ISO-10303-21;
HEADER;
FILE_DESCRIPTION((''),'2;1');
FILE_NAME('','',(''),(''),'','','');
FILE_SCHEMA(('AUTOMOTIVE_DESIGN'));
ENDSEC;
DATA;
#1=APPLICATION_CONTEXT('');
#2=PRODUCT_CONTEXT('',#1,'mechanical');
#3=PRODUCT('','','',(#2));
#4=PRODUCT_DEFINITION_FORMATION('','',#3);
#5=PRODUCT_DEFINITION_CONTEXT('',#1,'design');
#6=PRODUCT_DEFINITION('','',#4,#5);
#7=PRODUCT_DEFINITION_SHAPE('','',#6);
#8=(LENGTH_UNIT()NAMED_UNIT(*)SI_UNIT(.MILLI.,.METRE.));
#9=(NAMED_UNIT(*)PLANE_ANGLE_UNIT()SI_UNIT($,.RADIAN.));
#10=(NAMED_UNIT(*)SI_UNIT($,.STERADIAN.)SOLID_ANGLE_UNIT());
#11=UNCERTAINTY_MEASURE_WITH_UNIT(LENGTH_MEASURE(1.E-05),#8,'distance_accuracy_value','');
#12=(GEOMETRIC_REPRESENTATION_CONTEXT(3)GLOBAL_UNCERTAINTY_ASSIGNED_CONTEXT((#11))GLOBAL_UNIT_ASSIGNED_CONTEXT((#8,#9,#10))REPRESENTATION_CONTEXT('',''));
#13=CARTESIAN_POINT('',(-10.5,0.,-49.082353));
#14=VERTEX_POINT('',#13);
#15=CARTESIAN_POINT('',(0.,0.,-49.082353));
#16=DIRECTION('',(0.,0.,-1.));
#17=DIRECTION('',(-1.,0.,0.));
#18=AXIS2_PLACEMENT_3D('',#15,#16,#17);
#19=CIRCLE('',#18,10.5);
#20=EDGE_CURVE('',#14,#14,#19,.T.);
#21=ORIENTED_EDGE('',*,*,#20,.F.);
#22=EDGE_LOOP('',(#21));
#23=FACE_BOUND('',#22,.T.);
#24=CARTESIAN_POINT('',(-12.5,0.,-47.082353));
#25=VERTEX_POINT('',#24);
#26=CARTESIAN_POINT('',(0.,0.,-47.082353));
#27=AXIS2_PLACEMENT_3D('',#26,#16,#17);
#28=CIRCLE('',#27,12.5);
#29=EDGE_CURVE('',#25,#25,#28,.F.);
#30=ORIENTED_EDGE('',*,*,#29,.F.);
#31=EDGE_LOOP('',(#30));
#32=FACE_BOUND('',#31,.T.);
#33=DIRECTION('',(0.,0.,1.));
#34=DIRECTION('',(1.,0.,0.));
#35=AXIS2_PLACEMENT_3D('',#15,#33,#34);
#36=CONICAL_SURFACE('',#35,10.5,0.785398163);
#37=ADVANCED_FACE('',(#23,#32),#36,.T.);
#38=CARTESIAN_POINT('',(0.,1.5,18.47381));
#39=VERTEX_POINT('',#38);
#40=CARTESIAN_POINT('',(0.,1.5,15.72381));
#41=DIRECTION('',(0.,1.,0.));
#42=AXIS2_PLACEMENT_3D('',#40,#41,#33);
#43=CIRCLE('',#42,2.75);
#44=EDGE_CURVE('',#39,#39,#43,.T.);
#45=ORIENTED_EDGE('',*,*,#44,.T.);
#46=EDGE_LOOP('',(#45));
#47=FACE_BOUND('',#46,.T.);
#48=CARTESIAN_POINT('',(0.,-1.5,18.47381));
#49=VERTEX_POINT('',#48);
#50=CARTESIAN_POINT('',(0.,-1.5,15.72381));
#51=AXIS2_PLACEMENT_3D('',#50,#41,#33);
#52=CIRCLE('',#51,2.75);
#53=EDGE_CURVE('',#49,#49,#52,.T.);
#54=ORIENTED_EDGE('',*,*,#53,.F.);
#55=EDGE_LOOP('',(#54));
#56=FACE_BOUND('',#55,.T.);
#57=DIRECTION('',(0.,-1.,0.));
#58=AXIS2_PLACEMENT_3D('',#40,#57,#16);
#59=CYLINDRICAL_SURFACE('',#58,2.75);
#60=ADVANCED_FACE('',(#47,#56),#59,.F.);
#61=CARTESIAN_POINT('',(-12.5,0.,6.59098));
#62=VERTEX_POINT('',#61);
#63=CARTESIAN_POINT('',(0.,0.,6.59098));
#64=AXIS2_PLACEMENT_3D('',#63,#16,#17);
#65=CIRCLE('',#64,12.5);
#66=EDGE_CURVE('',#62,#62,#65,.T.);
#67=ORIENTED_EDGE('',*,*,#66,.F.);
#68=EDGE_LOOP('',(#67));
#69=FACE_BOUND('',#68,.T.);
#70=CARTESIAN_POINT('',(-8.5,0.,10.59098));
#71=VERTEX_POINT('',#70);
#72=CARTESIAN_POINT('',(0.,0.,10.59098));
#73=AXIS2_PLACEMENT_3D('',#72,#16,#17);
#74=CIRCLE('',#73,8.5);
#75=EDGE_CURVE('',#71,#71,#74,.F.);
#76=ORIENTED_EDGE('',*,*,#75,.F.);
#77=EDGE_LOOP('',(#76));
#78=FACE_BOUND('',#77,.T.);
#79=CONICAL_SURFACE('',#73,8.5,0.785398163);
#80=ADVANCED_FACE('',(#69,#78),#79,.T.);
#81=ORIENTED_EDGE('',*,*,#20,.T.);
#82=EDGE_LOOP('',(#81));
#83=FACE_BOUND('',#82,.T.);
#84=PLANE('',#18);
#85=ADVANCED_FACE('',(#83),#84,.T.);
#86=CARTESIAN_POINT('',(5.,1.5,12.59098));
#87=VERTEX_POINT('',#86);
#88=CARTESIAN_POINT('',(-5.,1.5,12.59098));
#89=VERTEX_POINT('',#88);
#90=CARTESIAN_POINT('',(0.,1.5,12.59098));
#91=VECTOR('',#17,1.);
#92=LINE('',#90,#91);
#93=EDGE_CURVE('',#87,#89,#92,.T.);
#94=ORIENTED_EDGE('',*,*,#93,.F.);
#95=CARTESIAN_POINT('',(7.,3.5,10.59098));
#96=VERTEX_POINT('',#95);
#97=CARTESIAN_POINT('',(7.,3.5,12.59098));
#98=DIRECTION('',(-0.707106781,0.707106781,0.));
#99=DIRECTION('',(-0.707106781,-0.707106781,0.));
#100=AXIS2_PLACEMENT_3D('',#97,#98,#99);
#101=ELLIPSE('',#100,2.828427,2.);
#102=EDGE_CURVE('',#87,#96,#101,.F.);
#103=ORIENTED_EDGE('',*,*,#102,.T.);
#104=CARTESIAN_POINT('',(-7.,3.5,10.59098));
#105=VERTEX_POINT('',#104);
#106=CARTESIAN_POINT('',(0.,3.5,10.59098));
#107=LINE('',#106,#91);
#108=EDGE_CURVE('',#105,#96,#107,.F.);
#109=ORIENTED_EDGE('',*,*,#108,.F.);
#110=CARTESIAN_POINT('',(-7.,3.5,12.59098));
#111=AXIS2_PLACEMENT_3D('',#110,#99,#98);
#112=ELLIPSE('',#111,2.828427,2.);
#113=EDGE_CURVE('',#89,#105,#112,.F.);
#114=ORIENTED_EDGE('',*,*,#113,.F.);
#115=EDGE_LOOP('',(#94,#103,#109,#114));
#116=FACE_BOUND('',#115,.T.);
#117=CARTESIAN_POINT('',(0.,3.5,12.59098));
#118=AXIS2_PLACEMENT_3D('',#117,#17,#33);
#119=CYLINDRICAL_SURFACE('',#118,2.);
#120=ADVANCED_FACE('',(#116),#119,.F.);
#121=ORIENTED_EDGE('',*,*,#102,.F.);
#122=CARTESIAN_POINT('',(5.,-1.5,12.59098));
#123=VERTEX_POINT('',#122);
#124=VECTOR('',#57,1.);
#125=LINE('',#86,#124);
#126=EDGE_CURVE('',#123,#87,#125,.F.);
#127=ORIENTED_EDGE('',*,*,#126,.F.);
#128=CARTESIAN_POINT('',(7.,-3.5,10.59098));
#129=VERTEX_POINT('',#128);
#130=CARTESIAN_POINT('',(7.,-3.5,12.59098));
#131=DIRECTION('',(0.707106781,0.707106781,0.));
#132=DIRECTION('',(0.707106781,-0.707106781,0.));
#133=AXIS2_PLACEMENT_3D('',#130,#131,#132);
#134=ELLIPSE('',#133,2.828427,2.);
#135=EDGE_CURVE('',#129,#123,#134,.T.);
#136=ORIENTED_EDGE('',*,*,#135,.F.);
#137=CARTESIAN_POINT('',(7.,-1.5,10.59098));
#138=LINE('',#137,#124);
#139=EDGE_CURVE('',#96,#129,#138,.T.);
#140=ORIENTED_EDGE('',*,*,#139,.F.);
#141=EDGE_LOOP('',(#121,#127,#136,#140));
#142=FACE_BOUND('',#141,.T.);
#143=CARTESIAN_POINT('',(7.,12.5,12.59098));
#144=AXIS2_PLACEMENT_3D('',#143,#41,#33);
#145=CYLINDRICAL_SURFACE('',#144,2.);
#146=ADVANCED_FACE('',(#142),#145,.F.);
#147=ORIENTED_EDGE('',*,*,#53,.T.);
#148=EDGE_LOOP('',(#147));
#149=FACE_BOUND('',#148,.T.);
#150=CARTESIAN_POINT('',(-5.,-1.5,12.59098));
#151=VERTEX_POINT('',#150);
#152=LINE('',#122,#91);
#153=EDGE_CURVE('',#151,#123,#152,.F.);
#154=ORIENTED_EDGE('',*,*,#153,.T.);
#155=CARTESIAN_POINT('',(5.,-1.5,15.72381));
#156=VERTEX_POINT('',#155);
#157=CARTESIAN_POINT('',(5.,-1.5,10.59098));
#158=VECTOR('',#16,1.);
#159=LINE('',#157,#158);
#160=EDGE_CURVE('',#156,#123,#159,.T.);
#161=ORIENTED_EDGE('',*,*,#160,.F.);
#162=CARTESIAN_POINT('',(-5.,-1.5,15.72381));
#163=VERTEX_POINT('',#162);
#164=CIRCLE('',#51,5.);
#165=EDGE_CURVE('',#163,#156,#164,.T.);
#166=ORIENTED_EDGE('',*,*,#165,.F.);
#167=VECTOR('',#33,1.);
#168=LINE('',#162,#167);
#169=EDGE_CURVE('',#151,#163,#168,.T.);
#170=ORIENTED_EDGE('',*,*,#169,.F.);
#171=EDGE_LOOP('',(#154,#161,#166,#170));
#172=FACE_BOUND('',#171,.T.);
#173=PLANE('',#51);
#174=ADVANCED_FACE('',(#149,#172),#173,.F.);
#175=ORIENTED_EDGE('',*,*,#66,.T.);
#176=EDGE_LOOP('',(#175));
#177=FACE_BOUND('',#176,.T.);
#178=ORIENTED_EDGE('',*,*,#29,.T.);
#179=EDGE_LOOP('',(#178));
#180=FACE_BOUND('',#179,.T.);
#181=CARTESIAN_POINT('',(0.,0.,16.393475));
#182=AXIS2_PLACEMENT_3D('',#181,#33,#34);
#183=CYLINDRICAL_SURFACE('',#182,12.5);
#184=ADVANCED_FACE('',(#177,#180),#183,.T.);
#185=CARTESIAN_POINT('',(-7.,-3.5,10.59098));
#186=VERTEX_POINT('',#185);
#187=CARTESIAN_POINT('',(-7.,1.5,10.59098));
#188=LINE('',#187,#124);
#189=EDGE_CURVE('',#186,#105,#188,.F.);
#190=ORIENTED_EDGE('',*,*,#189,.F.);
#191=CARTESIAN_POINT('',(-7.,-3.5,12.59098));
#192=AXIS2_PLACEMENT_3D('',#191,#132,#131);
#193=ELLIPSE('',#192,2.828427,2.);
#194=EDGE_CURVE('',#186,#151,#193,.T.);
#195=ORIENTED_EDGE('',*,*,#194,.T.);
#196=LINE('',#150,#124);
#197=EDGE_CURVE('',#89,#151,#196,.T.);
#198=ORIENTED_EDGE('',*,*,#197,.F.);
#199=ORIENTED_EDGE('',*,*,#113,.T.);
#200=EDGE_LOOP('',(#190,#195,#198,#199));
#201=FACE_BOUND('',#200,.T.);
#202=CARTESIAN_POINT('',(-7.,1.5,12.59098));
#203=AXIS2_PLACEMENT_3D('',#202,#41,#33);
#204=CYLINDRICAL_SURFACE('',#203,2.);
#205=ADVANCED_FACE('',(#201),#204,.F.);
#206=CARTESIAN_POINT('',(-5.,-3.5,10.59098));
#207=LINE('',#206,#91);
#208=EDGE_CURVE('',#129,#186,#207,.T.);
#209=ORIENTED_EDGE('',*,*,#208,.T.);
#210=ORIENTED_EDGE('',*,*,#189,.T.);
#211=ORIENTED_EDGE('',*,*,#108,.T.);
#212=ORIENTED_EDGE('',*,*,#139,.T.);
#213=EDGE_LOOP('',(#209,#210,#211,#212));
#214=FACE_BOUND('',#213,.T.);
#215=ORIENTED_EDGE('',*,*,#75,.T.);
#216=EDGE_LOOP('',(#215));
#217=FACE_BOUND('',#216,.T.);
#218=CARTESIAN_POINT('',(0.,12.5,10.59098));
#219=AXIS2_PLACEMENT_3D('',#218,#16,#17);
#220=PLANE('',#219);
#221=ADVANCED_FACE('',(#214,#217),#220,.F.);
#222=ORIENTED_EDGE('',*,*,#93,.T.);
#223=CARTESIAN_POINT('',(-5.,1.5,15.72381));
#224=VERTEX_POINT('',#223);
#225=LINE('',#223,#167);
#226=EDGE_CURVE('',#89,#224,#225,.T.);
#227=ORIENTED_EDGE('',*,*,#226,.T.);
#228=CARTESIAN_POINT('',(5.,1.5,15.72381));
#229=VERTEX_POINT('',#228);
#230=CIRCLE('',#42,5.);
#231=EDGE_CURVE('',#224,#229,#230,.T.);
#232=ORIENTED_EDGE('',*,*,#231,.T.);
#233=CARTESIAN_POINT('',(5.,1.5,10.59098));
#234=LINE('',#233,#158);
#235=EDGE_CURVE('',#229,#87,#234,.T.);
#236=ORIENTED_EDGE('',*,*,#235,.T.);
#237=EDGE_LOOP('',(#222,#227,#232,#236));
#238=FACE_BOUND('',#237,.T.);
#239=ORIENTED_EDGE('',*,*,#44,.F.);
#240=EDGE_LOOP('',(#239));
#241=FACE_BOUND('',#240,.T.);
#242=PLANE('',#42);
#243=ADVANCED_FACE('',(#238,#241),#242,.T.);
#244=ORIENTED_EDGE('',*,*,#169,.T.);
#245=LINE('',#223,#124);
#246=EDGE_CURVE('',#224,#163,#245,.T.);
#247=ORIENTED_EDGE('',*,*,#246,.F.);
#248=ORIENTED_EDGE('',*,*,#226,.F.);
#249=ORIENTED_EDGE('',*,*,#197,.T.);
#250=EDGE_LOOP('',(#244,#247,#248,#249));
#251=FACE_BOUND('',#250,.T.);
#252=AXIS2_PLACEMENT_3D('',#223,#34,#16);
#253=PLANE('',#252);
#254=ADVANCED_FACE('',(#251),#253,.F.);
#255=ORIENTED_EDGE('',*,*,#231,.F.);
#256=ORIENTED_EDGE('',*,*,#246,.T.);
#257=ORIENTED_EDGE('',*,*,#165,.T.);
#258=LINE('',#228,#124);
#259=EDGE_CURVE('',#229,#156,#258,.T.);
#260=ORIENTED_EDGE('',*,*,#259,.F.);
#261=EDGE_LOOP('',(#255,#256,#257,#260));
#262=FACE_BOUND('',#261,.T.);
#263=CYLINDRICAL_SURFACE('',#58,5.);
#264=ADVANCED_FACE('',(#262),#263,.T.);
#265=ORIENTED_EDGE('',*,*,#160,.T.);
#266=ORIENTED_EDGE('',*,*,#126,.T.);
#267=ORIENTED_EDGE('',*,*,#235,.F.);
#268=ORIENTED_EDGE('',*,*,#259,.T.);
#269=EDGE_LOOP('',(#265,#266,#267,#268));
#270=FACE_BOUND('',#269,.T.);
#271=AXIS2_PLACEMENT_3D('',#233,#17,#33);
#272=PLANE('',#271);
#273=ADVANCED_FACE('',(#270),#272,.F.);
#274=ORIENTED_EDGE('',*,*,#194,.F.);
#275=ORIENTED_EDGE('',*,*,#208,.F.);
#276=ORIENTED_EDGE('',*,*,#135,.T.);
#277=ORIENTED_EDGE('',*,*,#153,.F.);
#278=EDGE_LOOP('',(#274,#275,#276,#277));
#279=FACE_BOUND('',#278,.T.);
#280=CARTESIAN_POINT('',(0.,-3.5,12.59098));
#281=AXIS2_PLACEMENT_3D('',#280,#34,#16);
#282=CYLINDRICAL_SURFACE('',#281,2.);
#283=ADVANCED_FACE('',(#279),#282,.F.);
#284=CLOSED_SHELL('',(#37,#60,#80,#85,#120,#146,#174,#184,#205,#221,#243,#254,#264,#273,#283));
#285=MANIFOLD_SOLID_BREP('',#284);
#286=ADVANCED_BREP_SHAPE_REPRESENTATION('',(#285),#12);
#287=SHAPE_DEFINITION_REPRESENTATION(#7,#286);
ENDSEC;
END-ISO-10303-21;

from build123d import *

# Parameters (mm, degrees)
SKETCH4_R           = 2.75
BOSS_EXTRUDE1_DEPTH = 1.5
BOSS_EXTRUDE2_START = 45
SKETCH5_R           = 12.5
BOSS_EXTRUDE2_DEPTH = 45
CHAMFER1_SIZE       = 4
FILLET1_R           = 2
CHAMFER2_SIZE       = 2


with BuildPart() as part:
    # Sketch3 → Revolve2 (revolve)
    with BuildSketch(Plane(origin=(0, 0, 0), x_dir=(0, 0, -1), z_dir=(1, 0, 0)), mode=Mode.PRIVATE) as revolve2_sk:
        Polygon((-4.082352568, 12.5), (4.082352568, 12.5), (4.082352568, 0), (-10.590979782, 0), (-10.590979782, 12.5), align=None)
    revolve(revolve2_sk.sketch.rotate(Axis((0, 0, 16.393474527), (0, 0, -1)), 90), axis=Axis((0, 0, 16.393474527), (0, 0, -1)))

    # Sketch4 → Boss-Extrude1 (add, symmetric)
    with BuildSketch(Plane(origin=(0, 0, 0), x_dir=(1, 0, 0), z_dir=(0, 1, 0))):
        with BuildLine():
            Line((-5, -15.723809824), (-5, -10.590979782))
            Line((-5, -10.590979782), (5, -10.590979782))
            Line((5, -10.590979782), (5, -15.723809824))
            ThreePointArc((5, -15.723809824), (0, -20.723809824), (-5, -15.723809824))
        make_face()
        with Locations(Location((0, -15.723809824, 0), (0, 0, 270))):
            Circle(SKETCH4_R, mode=Mode.SUBTRACT)
    extrude(amount=BOSS_EXTRUDE1_DEPTH, both=True)

    # Sketch5 → Boss-Extrude2 (add)
    with BuildSketch(Plane(origin=(0, 0, -4.082352568), x_dir=(-1, 0, 0), z_dir=(0, 0, -1)).offset(BOSS_EXTRUDE2_START)):
        with Locations(Location((0, 0, 0), (0, 0, 180))):
            Circle(SKETCH5_R)
    extrude(amount=-BOSS_EXTRUDE2_DEPTH)

    # Chamfer1
    chamfer1_edges = [part.edges().sort_by_distance(p)[0] for p in [
        (-12.5, 0, 10.590979782),
    ]]
    chamfer(chamfer1_edges, length=CHAMFER1_SIZE)

    # Fillet1
    fillet1_edges = [part.edges().sort_by_distance(p)[0] for p in [
        (0, 1.5, 10.590979782),
        (0, -1.5, 10.590979782),
        (5, 0, 10.590979782),
        (-5, 0, 10.590979782),
    ]]
    fillet(fillet1_edges, radius=FILLET1_R)

    # Chamfer2
    chamfer2_edges = [part.edges().sort_by_distance(p)[0] for p in [
        (-12.5, 0, -49.082352568),
    ]]
    chamfer(chamfer2_edges, length=CHAMFER2_SIZE)


solid = part.part
